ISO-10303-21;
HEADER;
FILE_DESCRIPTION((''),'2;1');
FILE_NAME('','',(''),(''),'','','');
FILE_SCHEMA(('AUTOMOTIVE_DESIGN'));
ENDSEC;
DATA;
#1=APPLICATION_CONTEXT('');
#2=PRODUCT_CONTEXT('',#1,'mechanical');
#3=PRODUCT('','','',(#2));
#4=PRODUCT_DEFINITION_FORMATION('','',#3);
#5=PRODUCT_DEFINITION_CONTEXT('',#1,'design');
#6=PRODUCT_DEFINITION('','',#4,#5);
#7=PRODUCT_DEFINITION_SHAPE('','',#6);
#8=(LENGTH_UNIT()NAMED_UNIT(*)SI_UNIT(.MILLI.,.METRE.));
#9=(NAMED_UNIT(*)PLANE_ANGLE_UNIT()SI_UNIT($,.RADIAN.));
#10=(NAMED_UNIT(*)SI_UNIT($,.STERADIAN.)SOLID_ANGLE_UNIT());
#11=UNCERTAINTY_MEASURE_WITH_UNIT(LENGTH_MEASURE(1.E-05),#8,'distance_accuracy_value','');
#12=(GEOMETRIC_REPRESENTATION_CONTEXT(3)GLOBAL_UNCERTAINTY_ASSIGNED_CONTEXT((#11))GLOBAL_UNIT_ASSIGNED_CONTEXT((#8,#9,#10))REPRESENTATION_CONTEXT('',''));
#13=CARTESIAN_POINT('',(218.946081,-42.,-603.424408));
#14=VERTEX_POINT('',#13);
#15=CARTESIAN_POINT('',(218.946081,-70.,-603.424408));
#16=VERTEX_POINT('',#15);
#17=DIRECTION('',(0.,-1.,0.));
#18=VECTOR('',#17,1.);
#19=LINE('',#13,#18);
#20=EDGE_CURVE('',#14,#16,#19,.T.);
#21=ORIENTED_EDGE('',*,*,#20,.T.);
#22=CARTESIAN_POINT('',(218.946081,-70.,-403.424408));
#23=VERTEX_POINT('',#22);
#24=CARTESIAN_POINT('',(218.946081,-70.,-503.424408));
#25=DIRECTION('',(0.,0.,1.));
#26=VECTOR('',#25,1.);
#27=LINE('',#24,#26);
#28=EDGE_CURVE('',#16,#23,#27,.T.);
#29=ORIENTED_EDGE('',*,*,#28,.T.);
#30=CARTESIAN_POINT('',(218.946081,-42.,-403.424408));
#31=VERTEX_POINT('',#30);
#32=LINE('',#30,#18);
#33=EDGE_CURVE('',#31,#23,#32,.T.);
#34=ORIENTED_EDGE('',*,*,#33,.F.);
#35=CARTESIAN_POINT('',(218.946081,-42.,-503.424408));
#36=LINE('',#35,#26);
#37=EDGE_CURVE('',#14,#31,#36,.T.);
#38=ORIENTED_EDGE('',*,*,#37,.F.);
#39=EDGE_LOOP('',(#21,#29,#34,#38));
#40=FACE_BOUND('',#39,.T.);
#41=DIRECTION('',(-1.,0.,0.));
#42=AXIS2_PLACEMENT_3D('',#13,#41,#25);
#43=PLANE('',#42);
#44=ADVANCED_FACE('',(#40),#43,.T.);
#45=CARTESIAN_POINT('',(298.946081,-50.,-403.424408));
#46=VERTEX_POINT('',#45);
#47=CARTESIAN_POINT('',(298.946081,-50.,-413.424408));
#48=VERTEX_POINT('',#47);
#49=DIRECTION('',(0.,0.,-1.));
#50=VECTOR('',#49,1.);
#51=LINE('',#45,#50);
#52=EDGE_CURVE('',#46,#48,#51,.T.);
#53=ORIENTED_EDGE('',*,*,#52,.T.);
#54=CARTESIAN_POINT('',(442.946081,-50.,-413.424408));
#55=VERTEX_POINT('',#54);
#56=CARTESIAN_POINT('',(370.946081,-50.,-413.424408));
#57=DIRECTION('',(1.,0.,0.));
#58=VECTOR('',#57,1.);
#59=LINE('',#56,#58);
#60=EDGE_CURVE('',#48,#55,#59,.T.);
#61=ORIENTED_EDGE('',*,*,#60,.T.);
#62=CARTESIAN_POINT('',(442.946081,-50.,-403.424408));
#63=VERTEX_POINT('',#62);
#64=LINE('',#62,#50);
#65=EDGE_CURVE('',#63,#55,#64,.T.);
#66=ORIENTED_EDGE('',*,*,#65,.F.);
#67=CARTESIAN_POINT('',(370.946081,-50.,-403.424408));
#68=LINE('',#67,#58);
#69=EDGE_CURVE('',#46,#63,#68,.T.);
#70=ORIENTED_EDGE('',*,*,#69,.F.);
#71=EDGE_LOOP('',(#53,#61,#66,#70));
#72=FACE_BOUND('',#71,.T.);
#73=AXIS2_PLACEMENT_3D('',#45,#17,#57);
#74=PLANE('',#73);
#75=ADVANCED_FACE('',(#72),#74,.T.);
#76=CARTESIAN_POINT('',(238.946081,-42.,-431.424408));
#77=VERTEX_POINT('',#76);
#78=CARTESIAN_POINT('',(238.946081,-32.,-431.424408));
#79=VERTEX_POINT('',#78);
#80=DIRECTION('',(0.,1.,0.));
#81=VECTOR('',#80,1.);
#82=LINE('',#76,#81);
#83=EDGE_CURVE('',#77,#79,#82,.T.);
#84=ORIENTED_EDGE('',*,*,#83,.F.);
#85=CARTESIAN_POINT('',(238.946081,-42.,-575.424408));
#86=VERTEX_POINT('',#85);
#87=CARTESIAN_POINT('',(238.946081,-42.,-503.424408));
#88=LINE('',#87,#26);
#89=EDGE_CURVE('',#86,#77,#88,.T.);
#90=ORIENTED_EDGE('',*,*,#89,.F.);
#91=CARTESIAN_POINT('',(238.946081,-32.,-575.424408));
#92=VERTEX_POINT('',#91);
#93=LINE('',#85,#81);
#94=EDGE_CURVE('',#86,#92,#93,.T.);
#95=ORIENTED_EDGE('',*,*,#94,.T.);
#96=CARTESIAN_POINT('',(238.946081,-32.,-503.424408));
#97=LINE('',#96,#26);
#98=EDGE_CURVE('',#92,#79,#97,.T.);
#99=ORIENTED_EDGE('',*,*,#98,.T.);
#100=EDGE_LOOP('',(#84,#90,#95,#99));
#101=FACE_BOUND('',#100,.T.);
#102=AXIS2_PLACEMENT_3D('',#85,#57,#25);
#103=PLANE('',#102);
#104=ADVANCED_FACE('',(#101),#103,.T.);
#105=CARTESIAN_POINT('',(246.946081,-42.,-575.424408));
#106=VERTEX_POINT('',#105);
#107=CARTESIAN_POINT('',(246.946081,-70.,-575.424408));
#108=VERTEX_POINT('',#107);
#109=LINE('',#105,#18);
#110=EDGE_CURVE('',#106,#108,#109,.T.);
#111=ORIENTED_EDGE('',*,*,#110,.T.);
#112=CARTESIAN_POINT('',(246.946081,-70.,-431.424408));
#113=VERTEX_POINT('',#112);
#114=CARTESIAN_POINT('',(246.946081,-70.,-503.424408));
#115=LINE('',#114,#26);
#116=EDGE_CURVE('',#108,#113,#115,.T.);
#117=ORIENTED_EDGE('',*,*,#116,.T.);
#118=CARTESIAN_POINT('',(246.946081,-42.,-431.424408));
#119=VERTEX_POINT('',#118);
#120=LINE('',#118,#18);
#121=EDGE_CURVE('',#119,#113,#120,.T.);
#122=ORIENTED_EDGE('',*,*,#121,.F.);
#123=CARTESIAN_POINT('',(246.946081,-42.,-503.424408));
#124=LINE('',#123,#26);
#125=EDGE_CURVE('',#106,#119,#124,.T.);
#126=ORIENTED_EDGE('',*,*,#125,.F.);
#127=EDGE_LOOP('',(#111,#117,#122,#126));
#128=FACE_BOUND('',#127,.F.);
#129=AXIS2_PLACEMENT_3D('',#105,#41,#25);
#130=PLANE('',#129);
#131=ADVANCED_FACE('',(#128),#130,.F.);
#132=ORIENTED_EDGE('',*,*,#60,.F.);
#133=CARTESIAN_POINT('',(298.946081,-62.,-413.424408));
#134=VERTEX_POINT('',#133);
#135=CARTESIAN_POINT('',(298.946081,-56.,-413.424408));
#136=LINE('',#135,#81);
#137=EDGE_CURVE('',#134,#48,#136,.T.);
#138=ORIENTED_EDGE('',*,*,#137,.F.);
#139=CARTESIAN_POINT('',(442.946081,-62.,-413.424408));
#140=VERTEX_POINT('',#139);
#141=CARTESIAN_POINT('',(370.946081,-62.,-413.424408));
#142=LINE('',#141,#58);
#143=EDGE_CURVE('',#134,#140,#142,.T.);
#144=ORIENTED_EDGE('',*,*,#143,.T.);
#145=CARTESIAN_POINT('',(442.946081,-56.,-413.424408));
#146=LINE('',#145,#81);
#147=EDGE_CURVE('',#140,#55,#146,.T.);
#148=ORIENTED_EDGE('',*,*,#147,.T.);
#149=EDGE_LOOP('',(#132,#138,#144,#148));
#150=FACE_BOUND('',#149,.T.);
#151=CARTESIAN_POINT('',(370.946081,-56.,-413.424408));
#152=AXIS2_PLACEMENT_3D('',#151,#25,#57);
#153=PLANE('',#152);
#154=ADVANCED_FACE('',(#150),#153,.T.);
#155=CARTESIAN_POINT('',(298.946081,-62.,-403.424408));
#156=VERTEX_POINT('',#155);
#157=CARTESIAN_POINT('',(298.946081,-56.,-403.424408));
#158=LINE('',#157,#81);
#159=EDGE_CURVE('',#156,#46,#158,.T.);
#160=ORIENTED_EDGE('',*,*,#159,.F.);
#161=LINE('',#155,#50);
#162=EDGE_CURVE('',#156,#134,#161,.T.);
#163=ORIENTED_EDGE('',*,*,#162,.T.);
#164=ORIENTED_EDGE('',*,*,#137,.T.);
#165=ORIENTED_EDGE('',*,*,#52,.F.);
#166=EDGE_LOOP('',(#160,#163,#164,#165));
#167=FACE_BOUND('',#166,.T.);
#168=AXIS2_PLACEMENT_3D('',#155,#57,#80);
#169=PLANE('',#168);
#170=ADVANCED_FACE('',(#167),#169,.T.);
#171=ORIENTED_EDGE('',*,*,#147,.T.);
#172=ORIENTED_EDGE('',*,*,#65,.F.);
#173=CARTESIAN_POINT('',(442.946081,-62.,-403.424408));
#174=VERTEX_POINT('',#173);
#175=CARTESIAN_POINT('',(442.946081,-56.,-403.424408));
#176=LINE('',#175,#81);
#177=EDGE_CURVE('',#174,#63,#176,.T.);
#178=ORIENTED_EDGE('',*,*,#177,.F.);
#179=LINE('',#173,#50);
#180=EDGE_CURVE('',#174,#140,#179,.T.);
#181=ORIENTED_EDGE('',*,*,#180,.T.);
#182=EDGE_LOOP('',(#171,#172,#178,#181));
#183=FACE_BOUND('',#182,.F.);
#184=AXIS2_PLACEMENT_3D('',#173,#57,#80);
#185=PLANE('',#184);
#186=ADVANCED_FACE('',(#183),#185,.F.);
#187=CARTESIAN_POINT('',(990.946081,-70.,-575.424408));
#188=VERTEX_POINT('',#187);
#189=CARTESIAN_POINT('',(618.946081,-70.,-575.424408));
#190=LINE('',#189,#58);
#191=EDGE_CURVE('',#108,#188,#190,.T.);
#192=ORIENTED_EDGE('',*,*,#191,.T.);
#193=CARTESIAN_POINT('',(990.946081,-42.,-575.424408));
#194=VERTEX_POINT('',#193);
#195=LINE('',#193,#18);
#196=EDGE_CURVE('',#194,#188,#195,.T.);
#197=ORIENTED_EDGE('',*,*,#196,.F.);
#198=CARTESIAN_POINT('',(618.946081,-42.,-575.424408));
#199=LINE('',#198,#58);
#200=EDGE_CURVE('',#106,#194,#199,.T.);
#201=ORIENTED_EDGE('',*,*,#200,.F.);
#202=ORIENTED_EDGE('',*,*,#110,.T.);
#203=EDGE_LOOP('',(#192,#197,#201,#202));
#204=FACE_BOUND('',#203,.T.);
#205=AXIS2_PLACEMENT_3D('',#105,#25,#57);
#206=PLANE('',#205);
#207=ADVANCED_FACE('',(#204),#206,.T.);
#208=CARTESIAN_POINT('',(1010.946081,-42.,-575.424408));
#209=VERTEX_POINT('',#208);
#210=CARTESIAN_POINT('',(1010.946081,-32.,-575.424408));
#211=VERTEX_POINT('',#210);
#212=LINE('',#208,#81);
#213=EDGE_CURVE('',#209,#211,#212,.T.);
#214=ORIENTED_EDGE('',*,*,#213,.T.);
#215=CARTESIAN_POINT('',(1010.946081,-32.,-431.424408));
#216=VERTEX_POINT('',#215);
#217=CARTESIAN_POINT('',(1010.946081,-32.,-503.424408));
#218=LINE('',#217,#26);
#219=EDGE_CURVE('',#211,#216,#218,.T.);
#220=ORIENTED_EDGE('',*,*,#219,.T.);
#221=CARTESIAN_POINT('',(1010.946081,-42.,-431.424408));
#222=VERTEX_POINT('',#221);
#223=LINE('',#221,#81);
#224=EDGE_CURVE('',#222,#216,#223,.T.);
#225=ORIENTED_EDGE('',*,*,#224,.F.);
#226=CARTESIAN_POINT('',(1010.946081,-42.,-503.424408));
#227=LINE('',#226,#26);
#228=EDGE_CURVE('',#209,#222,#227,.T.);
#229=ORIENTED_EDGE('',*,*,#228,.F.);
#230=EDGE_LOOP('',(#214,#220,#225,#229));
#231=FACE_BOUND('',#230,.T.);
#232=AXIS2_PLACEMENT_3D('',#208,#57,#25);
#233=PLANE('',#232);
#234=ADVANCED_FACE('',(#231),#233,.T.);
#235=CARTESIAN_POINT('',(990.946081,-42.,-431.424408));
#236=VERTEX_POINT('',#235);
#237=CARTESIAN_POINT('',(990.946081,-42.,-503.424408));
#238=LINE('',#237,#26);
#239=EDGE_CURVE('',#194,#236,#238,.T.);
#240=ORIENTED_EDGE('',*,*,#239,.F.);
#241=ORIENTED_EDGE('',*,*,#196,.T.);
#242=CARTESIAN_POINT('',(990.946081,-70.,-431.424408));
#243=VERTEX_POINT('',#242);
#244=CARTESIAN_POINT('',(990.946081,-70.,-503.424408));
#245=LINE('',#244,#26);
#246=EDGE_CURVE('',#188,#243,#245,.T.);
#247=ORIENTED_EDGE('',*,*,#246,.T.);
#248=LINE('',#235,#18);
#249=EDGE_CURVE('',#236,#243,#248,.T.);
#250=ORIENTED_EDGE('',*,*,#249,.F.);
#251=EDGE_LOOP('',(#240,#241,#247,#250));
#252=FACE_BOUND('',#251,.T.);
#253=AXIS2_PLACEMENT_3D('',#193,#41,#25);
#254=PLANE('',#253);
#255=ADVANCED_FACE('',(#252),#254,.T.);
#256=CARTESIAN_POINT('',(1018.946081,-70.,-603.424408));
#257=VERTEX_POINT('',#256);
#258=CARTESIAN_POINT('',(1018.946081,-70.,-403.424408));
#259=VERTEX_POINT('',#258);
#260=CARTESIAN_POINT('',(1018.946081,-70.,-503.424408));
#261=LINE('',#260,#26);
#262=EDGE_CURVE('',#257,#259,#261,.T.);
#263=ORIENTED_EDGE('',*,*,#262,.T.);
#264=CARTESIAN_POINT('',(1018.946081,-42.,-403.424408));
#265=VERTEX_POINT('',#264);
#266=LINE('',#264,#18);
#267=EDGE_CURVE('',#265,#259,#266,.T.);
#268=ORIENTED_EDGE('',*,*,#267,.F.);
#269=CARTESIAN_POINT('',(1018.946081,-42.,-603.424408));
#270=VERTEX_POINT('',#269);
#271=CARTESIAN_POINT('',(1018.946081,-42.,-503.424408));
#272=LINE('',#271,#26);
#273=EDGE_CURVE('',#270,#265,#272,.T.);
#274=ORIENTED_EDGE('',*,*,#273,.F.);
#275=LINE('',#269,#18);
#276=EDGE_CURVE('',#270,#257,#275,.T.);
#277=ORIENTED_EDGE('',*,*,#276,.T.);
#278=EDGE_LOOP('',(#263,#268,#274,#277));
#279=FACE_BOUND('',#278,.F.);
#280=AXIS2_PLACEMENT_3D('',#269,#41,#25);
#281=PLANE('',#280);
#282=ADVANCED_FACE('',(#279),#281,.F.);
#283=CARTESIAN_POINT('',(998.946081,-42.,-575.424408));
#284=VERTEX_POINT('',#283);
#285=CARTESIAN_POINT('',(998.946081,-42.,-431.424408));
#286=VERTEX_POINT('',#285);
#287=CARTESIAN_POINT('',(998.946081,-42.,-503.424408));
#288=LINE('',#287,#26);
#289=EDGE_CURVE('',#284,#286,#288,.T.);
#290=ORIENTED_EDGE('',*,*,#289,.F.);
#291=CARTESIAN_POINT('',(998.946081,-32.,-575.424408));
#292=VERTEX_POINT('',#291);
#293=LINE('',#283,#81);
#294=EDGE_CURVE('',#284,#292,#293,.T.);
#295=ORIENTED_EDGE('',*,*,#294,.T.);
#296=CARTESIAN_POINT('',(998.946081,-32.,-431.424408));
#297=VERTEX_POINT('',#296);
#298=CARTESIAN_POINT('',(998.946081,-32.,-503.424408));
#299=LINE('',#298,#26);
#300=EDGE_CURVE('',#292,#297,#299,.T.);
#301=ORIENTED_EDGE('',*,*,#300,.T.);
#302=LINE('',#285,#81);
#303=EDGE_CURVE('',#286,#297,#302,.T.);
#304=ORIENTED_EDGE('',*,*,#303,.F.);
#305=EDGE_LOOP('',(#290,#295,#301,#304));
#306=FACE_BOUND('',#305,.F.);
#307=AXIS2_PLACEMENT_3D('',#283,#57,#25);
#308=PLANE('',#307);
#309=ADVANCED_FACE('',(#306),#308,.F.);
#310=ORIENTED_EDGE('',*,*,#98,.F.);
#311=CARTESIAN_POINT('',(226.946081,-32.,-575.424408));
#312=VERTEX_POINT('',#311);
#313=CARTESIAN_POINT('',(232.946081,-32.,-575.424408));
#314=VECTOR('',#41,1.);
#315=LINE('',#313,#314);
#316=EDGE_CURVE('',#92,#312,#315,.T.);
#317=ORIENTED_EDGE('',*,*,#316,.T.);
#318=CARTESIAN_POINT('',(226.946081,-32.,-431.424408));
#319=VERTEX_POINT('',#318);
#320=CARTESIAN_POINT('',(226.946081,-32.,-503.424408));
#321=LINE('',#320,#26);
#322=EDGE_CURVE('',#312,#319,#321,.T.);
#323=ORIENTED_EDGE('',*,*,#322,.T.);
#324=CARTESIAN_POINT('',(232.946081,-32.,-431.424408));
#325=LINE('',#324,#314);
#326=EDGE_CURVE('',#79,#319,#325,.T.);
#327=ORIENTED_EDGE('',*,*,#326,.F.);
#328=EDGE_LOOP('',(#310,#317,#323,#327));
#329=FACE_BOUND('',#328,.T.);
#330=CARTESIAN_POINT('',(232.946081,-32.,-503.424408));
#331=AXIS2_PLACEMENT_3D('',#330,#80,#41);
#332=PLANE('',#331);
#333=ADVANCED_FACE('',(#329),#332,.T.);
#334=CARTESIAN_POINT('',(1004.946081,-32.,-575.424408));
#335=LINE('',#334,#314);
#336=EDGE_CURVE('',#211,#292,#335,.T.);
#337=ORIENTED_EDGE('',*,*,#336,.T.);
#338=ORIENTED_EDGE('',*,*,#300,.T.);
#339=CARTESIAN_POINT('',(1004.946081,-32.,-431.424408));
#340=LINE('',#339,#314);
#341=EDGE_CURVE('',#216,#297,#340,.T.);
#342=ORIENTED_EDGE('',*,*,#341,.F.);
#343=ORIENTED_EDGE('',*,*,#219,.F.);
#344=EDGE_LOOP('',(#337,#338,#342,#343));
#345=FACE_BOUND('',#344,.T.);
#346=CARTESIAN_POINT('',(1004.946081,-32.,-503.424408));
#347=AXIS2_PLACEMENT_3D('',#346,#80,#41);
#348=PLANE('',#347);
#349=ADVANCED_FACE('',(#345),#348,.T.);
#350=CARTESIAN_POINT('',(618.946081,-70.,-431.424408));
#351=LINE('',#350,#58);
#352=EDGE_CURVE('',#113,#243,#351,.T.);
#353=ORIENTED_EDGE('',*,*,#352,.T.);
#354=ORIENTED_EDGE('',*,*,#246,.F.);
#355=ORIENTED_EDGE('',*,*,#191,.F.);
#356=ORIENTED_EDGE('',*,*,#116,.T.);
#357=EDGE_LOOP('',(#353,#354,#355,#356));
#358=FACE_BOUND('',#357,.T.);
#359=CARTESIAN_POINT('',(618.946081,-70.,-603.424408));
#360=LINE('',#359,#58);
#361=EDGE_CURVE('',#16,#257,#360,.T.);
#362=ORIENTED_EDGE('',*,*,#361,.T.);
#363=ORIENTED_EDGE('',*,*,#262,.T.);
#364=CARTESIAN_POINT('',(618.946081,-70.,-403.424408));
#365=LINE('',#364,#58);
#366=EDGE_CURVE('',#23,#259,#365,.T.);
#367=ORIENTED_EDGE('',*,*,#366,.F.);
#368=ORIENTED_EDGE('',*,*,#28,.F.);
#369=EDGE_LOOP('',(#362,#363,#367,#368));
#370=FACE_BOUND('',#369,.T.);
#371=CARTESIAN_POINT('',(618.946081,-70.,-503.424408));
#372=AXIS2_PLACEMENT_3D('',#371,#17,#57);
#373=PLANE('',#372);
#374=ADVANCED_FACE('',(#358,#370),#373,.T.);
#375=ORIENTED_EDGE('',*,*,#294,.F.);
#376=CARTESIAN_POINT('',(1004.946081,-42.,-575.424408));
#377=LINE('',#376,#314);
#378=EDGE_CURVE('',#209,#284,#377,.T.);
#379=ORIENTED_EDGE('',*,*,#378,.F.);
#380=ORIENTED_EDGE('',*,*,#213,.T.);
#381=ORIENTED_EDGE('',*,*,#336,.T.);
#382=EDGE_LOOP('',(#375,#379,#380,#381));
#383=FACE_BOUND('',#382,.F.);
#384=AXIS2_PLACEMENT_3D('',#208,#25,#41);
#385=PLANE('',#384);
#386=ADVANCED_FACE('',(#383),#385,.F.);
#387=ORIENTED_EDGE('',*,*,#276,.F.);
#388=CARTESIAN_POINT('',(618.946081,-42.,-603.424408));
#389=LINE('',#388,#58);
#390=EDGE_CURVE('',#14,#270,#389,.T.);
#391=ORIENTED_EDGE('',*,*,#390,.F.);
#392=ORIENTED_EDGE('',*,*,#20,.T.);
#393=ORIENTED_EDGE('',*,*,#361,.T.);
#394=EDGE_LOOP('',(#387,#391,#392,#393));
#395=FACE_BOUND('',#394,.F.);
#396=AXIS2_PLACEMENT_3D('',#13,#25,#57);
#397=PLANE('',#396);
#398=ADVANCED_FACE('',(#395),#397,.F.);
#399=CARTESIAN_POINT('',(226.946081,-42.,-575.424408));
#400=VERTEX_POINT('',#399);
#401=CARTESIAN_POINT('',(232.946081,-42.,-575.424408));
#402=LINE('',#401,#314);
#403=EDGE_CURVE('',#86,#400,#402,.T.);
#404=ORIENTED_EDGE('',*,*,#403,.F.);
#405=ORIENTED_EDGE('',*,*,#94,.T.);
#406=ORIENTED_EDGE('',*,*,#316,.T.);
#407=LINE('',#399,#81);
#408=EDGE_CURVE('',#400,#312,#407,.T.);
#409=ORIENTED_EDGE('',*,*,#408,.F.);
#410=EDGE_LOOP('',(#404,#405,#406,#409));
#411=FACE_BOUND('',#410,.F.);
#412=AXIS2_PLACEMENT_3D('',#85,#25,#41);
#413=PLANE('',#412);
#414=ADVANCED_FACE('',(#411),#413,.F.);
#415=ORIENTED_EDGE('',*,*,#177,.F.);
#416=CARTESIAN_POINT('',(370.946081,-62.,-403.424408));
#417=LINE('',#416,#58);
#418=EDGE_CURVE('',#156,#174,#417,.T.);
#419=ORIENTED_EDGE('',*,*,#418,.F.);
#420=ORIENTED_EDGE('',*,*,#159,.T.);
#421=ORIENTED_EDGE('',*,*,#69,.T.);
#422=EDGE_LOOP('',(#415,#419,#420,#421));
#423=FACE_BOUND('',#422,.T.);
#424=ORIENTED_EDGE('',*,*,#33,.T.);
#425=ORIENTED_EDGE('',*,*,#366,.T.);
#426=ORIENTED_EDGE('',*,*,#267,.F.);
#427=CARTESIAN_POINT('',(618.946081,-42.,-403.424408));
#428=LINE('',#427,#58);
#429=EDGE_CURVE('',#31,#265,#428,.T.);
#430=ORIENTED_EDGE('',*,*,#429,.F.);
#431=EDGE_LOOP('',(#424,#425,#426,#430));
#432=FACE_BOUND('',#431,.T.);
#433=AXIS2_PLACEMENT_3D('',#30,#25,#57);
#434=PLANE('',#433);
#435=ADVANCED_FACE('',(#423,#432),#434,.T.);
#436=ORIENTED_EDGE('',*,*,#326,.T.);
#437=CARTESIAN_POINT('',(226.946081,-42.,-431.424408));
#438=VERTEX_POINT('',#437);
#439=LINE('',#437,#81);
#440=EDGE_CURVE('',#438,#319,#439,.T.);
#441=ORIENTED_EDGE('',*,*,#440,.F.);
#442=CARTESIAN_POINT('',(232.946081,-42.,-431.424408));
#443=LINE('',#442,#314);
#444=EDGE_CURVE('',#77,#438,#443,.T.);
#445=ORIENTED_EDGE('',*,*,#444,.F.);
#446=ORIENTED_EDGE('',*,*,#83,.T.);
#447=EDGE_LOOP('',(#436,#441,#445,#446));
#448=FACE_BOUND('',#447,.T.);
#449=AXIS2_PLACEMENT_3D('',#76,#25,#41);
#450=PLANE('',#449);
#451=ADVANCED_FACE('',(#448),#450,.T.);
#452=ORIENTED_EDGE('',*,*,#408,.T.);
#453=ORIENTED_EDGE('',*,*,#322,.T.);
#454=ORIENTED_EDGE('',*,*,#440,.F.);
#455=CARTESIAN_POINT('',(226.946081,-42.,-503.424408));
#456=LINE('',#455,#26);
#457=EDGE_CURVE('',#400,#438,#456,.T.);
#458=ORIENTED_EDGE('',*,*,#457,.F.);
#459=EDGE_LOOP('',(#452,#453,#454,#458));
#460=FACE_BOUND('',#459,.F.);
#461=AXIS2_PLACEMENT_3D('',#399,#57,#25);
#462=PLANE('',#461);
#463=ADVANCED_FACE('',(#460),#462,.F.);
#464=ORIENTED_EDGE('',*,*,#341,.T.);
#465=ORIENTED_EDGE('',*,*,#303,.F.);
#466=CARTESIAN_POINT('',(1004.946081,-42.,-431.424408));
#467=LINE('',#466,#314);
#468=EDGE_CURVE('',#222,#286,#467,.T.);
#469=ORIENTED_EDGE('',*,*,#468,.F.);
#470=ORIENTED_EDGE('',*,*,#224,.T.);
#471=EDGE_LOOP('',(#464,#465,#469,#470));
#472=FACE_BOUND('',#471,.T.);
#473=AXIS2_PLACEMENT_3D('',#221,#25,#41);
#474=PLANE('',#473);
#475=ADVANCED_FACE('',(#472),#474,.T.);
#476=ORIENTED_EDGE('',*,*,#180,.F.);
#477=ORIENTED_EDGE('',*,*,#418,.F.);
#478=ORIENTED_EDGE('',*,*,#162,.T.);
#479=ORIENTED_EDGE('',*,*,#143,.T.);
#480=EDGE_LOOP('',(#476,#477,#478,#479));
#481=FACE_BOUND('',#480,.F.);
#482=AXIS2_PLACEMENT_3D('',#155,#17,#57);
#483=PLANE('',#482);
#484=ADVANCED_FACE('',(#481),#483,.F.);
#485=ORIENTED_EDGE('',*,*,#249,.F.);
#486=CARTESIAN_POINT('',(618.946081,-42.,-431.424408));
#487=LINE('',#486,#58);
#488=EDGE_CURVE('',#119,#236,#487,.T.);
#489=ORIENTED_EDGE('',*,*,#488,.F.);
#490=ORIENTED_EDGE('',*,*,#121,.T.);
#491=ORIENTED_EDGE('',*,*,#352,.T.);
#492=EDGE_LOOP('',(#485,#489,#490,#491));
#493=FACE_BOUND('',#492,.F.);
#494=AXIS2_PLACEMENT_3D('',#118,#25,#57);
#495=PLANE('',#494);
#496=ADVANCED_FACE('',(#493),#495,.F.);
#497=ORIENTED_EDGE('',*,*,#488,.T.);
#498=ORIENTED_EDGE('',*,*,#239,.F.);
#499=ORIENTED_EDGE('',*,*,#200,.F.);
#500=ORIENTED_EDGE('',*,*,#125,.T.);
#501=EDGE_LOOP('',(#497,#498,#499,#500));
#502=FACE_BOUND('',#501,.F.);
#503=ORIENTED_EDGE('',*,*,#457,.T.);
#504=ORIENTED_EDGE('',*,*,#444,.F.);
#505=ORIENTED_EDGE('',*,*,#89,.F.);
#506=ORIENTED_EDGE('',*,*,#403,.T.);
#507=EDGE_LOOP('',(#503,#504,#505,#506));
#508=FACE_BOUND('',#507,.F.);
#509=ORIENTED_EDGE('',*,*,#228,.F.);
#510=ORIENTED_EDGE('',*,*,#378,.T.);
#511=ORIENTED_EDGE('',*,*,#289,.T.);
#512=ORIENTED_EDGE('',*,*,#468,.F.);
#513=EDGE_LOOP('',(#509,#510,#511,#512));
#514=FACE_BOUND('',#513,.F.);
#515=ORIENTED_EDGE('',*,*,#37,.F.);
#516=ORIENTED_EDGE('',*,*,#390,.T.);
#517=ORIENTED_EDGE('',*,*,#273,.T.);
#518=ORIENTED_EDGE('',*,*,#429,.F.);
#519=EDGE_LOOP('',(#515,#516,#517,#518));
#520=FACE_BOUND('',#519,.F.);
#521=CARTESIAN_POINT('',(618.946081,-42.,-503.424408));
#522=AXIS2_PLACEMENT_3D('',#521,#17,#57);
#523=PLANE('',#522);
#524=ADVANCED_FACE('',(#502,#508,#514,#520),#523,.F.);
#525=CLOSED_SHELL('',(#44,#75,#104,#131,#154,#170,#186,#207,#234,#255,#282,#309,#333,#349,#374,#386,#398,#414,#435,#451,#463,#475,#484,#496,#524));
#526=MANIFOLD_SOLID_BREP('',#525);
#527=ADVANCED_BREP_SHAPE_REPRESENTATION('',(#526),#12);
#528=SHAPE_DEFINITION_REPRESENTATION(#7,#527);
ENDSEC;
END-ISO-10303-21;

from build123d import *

# Parameters (mm, degrees)
F0_W     = 2000
F0_H     = 500
F0_W_2   = 1860
F0_H_2   = 360
F1_DEPTH = 70
F2_W     = 30
F2_H     = 360
F3_DEPTH = 25
F4_DEPTH = 25
F5_W     = 360
F5_H     = 30
F6_DEPTH = 25
F7_SCALE = 0.4


with BuildPart() as f1:
    # F0 (on Front) → F1 (new body)
    with BuildSketch(Plane.XZ):
        with Locations((18.9460813999, -353.4244084814)):
            Rectangle(F0_W, F0_H)
        with Locations((18.9460813999, -353.4244084814)):
            Rectangle(F0_W_2, F0_H_2, mode=Mode.SUBTRACT)
    extrude(amount=F1_DEPTH)



with BuildPart() as f3:
    # F2 (on face) → F3 (new body)
    with BuildSketch(Plane(origin=(0, 0, 0), x_dir=(-1, 0, 0), z_dir=(0, 1, 0))):
        with Locations((946.0539186001, -353.4244084814)):
            Rectangle(F2_W, F2_H)
    extrude(amount=-F3_DEPTH)


with BuildPart() as f1_1:
    add(f1.part)

    add(f3.part)  # F4 merges F3
    # F2 (on face) → F4 (join)
    with BuildSketch(Plane(origin=(0, 0, 0), x_dir=(-1, 0, 0), z_dir=(0, 1, 0))):
        with Locations((-983.9460813999, -353.4244084814)):
            Rectangle(F2_W, F2_H)
        with Locations((946.0539186001, -353.4244084814)):
            Rectangle(F2_W, F2_H)
    extrude(amount=F4_DEPTH)

    # F5 (on face) → F6 (cut)
    with BuildSketch(Plane.XY.offset(-103.4244084814)):
        with Locations((-601.0539186001, -35)):
            Rectangle(F5_W, F5_H)
    extrude(amount=-F6_DEPTH, mode=Mode.SUBTRACT)


with BuildPart() as f1_2:
    # F7: moved
    add(f1_1.part.scale(F7_SCALE).moved(Location((611.36764884, -42, -362.0546450888))))


solid = f1_2.part
